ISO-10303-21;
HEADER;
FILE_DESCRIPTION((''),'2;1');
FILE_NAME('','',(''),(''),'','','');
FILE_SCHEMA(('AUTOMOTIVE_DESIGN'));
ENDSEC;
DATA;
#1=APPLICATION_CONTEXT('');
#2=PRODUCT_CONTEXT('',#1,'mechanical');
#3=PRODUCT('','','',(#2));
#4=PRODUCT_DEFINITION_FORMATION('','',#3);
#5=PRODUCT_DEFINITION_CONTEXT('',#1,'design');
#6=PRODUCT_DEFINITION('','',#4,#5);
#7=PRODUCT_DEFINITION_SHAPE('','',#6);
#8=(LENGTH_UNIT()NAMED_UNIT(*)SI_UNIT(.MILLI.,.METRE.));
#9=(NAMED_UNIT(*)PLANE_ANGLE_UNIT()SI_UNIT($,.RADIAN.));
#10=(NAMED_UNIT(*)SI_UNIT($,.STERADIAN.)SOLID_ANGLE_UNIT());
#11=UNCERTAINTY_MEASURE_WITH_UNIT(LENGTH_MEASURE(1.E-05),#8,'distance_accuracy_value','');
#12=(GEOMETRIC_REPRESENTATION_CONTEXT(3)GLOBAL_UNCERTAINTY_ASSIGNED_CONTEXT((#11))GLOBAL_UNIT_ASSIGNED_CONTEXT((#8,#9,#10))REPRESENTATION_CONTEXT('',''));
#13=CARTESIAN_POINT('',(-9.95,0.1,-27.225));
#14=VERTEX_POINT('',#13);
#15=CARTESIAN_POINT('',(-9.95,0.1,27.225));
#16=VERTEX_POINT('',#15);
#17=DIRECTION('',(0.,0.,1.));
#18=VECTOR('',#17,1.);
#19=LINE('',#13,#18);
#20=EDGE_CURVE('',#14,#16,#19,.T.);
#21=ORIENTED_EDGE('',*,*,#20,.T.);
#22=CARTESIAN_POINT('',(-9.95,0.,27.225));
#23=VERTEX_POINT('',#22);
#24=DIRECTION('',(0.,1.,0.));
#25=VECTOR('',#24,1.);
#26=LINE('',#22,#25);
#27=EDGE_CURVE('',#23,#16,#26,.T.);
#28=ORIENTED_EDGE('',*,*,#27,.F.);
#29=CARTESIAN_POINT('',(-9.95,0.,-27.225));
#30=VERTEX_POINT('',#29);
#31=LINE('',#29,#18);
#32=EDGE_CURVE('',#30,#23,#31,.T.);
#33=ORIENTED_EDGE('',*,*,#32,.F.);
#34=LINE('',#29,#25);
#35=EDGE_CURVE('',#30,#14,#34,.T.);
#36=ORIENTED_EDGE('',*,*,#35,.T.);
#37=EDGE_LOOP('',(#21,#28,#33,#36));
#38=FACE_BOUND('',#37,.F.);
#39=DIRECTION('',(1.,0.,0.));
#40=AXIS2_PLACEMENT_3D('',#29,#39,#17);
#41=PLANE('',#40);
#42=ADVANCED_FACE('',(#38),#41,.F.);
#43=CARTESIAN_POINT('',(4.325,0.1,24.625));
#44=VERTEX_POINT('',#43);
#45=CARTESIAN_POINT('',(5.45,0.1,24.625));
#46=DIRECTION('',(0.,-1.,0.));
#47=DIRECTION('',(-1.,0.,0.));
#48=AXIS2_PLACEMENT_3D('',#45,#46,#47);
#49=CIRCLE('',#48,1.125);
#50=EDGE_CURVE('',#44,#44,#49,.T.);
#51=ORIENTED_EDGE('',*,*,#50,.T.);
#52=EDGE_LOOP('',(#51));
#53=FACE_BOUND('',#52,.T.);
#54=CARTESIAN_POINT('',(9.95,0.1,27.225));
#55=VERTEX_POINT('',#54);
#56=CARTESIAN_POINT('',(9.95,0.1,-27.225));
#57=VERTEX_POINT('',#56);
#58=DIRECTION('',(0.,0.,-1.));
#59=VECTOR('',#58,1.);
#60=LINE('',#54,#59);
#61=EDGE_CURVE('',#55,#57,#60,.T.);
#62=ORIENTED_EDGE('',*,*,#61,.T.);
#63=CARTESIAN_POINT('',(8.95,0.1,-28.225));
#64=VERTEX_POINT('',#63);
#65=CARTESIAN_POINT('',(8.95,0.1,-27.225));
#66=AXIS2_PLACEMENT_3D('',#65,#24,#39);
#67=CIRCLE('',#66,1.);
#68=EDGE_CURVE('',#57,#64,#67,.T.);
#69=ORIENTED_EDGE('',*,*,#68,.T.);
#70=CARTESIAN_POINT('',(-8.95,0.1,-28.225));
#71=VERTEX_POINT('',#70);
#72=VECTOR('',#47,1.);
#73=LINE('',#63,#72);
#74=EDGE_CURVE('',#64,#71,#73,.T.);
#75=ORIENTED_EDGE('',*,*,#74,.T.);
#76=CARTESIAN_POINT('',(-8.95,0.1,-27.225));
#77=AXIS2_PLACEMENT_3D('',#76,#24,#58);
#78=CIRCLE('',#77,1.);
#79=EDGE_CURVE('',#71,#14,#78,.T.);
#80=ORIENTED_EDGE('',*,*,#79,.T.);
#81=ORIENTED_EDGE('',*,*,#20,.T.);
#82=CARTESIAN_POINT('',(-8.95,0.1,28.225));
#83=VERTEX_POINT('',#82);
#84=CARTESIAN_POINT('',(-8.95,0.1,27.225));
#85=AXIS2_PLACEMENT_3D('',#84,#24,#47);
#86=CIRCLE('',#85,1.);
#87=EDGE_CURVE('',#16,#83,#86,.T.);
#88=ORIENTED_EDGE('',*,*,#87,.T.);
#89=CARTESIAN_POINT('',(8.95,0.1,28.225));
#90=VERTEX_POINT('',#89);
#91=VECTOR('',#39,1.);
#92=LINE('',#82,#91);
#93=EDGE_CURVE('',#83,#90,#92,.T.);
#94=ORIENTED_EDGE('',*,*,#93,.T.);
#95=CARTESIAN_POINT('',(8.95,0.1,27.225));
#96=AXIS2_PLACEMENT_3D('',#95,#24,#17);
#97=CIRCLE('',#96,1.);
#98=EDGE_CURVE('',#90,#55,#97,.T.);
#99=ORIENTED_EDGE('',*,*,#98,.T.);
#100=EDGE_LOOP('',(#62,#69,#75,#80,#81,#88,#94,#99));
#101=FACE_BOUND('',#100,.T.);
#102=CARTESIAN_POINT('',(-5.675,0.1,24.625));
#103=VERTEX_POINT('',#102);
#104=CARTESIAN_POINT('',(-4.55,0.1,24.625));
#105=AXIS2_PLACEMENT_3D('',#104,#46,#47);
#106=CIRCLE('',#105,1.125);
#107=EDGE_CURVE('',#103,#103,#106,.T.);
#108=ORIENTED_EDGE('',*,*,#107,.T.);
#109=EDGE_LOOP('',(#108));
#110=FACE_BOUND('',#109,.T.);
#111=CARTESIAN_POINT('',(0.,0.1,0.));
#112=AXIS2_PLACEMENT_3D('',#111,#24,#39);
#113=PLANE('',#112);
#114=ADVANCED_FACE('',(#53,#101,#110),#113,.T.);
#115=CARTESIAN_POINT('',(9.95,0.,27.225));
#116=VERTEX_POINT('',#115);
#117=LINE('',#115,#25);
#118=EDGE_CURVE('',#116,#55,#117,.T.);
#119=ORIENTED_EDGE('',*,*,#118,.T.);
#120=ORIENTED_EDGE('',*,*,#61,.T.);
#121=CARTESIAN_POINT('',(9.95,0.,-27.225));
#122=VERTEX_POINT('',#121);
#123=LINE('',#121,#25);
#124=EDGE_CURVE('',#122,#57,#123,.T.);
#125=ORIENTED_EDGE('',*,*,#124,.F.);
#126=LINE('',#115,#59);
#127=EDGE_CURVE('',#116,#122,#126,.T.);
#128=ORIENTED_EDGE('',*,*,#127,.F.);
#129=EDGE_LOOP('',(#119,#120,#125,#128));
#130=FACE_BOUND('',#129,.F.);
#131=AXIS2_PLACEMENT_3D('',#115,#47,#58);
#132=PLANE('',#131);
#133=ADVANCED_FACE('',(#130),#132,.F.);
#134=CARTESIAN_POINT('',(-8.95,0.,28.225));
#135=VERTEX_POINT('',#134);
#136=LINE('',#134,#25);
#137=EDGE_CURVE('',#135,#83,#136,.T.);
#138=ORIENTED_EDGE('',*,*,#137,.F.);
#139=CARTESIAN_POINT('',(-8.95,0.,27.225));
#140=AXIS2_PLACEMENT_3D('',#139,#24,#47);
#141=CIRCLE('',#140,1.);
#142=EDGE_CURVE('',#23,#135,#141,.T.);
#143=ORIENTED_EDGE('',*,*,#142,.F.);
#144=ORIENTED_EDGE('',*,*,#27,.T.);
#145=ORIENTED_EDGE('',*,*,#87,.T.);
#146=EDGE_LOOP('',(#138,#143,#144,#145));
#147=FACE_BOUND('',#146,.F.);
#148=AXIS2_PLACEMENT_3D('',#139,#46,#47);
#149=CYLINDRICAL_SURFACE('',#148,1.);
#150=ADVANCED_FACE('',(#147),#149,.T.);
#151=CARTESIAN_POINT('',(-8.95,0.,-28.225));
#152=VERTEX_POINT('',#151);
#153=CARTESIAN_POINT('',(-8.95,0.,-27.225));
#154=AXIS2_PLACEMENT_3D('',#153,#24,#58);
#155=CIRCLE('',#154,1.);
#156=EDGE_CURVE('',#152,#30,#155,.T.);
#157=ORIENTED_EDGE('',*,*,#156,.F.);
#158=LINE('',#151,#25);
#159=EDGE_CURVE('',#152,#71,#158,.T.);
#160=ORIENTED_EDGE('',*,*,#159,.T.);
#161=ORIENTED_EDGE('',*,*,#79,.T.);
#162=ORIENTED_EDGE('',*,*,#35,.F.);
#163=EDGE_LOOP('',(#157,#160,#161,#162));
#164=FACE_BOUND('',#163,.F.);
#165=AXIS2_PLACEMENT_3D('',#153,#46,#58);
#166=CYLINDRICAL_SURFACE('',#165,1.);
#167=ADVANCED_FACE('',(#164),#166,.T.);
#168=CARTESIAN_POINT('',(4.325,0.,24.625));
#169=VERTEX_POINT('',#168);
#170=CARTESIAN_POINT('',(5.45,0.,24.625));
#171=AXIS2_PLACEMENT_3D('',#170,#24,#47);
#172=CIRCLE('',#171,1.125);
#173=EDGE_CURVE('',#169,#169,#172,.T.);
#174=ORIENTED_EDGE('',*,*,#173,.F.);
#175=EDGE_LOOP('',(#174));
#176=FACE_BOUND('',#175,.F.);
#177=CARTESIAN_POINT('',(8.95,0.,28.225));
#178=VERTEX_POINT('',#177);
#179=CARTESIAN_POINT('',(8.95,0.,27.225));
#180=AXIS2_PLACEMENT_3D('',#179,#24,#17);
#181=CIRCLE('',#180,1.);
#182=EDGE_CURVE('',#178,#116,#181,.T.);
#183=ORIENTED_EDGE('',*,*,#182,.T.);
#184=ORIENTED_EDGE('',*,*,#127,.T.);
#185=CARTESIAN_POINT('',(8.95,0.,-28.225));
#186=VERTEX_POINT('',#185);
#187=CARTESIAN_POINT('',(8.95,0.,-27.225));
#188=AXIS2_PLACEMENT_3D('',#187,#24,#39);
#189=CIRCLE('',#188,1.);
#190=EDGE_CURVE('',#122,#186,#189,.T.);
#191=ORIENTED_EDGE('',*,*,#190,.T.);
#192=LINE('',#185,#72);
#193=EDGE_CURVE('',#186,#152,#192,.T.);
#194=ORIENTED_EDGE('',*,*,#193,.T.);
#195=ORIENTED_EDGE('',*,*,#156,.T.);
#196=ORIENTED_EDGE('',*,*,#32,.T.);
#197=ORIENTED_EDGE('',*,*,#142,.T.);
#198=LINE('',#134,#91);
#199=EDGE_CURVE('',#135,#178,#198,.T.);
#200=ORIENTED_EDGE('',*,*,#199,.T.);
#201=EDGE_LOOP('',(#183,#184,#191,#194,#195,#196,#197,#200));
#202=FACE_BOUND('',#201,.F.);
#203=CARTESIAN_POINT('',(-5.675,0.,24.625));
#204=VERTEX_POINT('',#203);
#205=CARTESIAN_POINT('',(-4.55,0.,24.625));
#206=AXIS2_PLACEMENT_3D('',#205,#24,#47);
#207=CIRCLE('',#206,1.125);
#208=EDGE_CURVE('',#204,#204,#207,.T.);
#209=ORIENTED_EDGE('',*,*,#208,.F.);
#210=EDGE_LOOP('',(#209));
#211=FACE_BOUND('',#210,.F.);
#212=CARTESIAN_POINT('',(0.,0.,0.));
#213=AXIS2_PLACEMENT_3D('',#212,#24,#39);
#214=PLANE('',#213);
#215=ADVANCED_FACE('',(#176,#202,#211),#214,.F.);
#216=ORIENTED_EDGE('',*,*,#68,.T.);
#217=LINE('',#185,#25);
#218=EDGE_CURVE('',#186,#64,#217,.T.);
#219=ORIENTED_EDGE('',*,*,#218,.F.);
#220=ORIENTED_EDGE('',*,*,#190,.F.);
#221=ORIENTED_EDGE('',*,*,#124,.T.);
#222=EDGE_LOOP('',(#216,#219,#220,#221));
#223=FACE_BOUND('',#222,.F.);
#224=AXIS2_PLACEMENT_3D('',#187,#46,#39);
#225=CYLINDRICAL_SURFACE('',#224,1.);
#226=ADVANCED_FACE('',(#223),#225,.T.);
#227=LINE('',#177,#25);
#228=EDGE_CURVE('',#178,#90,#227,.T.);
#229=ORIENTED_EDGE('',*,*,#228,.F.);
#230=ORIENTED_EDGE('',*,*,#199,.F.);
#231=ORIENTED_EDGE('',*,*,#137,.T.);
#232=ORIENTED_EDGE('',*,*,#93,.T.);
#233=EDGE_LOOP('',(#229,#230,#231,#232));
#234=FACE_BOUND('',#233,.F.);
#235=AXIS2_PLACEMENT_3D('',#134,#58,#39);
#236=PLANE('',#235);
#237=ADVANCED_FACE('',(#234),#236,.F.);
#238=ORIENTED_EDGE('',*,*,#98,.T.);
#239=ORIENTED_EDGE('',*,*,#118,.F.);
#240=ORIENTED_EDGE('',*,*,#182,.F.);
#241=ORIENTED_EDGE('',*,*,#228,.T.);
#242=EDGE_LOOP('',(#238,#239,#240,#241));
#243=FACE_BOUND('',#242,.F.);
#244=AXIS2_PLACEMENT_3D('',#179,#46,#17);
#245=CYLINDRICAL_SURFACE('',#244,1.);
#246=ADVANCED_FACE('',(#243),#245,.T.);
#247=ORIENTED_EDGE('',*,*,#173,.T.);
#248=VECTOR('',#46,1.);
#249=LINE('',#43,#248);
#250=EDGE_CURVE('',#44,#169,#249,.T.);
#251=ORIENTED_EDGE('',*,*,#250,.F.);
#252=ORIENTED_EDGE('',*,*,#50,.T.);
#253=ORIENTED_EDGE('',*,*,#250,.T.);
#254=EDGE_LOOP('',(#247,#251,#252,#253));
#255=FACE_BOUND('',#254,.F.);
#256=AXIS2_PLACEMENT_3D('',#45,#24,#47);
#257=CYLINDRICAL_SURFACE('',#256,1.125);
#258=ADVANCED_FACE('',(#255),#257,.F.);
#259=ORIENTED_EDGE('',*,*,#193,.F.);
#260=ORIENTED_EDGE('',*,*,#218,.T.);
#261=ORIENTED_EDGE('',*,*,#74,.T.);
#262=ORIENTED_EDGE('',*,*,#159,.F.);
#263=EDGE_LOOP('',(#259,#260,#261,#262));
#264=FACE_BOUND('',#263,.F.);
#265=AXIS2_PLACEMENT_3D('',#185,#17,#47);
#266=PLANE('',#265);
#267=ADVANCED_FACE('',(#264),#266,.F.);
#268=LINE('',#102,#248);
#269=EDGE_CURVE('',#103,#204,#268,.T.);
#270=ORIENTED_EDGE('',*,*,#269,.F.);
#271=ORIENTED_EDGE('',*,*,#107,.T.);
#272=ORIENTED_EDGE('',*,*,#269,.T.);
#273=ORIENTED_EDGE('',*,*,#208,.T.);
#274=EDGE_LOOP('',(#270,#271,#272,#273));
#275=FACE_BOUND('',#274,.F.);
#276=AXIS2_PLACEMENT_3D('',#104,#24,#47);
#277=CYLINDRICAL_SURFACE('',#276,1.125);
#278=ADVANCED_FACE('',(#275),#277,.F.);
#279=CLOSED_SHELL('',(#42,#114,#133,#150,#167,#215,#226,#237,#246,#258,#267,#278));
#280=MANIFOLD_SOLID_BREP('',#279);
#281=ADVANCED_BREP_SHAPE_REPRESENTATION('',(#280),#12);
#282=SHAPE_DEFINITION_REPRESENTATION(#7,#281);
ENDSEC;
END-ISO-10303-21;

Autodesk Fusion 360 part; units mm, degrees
sketch "Sketch1" plane through (0, 0, 0) normal (0, 1, 0) x (1, 0, 0)
  line L0 (8.95, 28.225) -> (-8.95, 28.225)
  line L1 (-9.95, 27.225) -> (-9.95, -27.225)
  line L2 (-8.95, -28.225) -> (8.95, -28.225)
  line L3 (9.95, -27.225) -> (9.95, 27.225)
  line L4 (9.95, 28.225) -> (-9.95, -28.225) construction
  line L5 (-9.95, 28.225) -> (9.95, -28.225) construction
  arc A0 (-9.95, -27.225) -> (-8.95, -28.225) centre (-8.95, -27.225) ccw
  arc A1 (8.95, -28.225) -> (9.95, -27.225) centre (8.95, -27.225) ccw
  arc A2 (-8.95, 28.225) -> (-9.95, 27.225) centre (-8.95, 27.225) ccw
  arc A3 (9.95, 27.225) -> (8.95, 28.225) centre (8.95, 27.225) ccw
  dimension "d1" = 19.9
  dimension "d2" = 56.45
  dimension "d3" = 1
  dimension "d4" = 1
  dimension "d5" = 1
  dimension "d6" = 1
extrude "Extrude1" add sketch "Sketch1" along normal blind 0.1
sketch "Sketch2" plane through (0, 0.1, 0) normal (0, 1, 0) x (-1, 0, 0)
  arc A0 (-9.95, -27.225) -> (-8.95, -28.225) centre (-8.95, -27.225) ccw
  line L0 (-8.95, -28.225) -> (8.95, -28.225)
  arc A1 (8.95, -28.225) -> (9.95, -27.225) centre (8.95, -27.225) ccw
  line L1 (9.95, -27.225) -> (9.95, 27.225)
  arc A2 (9.95, 27.225) -> (8.95, 28.225) centre (8.95, 27.225) ccw
  line L2 (8.95, 28.225) -> (-8.95, 28.225)
  arc A3 (-8.95, 28.225) -> (-9.95, 27.225) centre (-8.95, 27.225) ccw
  line L3 (-9.95, 27.225) -> (-9.95, -27.225)
  line L4 (0, 28.225) -> (0, 24.625)
  line L5 (0, 24.625) -> (9.95, 24.625)
  line L6 (0, 24.625) -> (-9.95, 24.625)
  line L7 (9.95, 24.625) -> (4.55, 24.625)
  circle A4 centre (4.55, 24.625) radius 1.125
  line L8 (4.55, 24.625) -> (-5.45, 24.625)
  circle A5 centre (-5.45, 24.625) radius 1.125
  dimension "d9" = 3.6
  dimension "d10" = 5.4
  dimension "d11" = 2.25
  dimension "d12" = 10
  dimension "d13" = 2.25
extrude "Extrude2" cut sketch "Sketch2" against normal blind 0.1 contours L6 L8 A5 | L6 L8 A5 | L5 L7 A4 L8 | L5 L7 A4 L8
sketch "Sketch3" plane through (0, 0.1, 0) normal (0, 1, 0) x (-1, 0, 0)
  circle A0 centre (4.55, 24.625) radius 1.125
  circle A1 centre (-5.45, 24.625) radius 1.125
  arc A2 (-9.95, -27.225) -> (-8.95, -28.225) centre (-8.95, -27.225) ccw
  line L0 (-8.95, -28.225) -> (8.95, -28.225)
  arc A3 (8.95, -28.225) -> (9.95, -27.225) centre (8.95, -27.225) ccw
  line L1 (9.95, -27.225) -> (9.95, 27.225)
  arc A4 (9.95, 27.225) -> (8.95, 28.225) centre (8.95, 27.225) ccw
  line L2 (8.95, 28.225) -> (-8.95, 28.225)
  arc A5 (-8.95, 28.225) -> (-9.95, 27.225) centre (-8.95, 27.225) ccw
  line L3 (-9.95, 27.225) -> (-9.95, -27.225)
